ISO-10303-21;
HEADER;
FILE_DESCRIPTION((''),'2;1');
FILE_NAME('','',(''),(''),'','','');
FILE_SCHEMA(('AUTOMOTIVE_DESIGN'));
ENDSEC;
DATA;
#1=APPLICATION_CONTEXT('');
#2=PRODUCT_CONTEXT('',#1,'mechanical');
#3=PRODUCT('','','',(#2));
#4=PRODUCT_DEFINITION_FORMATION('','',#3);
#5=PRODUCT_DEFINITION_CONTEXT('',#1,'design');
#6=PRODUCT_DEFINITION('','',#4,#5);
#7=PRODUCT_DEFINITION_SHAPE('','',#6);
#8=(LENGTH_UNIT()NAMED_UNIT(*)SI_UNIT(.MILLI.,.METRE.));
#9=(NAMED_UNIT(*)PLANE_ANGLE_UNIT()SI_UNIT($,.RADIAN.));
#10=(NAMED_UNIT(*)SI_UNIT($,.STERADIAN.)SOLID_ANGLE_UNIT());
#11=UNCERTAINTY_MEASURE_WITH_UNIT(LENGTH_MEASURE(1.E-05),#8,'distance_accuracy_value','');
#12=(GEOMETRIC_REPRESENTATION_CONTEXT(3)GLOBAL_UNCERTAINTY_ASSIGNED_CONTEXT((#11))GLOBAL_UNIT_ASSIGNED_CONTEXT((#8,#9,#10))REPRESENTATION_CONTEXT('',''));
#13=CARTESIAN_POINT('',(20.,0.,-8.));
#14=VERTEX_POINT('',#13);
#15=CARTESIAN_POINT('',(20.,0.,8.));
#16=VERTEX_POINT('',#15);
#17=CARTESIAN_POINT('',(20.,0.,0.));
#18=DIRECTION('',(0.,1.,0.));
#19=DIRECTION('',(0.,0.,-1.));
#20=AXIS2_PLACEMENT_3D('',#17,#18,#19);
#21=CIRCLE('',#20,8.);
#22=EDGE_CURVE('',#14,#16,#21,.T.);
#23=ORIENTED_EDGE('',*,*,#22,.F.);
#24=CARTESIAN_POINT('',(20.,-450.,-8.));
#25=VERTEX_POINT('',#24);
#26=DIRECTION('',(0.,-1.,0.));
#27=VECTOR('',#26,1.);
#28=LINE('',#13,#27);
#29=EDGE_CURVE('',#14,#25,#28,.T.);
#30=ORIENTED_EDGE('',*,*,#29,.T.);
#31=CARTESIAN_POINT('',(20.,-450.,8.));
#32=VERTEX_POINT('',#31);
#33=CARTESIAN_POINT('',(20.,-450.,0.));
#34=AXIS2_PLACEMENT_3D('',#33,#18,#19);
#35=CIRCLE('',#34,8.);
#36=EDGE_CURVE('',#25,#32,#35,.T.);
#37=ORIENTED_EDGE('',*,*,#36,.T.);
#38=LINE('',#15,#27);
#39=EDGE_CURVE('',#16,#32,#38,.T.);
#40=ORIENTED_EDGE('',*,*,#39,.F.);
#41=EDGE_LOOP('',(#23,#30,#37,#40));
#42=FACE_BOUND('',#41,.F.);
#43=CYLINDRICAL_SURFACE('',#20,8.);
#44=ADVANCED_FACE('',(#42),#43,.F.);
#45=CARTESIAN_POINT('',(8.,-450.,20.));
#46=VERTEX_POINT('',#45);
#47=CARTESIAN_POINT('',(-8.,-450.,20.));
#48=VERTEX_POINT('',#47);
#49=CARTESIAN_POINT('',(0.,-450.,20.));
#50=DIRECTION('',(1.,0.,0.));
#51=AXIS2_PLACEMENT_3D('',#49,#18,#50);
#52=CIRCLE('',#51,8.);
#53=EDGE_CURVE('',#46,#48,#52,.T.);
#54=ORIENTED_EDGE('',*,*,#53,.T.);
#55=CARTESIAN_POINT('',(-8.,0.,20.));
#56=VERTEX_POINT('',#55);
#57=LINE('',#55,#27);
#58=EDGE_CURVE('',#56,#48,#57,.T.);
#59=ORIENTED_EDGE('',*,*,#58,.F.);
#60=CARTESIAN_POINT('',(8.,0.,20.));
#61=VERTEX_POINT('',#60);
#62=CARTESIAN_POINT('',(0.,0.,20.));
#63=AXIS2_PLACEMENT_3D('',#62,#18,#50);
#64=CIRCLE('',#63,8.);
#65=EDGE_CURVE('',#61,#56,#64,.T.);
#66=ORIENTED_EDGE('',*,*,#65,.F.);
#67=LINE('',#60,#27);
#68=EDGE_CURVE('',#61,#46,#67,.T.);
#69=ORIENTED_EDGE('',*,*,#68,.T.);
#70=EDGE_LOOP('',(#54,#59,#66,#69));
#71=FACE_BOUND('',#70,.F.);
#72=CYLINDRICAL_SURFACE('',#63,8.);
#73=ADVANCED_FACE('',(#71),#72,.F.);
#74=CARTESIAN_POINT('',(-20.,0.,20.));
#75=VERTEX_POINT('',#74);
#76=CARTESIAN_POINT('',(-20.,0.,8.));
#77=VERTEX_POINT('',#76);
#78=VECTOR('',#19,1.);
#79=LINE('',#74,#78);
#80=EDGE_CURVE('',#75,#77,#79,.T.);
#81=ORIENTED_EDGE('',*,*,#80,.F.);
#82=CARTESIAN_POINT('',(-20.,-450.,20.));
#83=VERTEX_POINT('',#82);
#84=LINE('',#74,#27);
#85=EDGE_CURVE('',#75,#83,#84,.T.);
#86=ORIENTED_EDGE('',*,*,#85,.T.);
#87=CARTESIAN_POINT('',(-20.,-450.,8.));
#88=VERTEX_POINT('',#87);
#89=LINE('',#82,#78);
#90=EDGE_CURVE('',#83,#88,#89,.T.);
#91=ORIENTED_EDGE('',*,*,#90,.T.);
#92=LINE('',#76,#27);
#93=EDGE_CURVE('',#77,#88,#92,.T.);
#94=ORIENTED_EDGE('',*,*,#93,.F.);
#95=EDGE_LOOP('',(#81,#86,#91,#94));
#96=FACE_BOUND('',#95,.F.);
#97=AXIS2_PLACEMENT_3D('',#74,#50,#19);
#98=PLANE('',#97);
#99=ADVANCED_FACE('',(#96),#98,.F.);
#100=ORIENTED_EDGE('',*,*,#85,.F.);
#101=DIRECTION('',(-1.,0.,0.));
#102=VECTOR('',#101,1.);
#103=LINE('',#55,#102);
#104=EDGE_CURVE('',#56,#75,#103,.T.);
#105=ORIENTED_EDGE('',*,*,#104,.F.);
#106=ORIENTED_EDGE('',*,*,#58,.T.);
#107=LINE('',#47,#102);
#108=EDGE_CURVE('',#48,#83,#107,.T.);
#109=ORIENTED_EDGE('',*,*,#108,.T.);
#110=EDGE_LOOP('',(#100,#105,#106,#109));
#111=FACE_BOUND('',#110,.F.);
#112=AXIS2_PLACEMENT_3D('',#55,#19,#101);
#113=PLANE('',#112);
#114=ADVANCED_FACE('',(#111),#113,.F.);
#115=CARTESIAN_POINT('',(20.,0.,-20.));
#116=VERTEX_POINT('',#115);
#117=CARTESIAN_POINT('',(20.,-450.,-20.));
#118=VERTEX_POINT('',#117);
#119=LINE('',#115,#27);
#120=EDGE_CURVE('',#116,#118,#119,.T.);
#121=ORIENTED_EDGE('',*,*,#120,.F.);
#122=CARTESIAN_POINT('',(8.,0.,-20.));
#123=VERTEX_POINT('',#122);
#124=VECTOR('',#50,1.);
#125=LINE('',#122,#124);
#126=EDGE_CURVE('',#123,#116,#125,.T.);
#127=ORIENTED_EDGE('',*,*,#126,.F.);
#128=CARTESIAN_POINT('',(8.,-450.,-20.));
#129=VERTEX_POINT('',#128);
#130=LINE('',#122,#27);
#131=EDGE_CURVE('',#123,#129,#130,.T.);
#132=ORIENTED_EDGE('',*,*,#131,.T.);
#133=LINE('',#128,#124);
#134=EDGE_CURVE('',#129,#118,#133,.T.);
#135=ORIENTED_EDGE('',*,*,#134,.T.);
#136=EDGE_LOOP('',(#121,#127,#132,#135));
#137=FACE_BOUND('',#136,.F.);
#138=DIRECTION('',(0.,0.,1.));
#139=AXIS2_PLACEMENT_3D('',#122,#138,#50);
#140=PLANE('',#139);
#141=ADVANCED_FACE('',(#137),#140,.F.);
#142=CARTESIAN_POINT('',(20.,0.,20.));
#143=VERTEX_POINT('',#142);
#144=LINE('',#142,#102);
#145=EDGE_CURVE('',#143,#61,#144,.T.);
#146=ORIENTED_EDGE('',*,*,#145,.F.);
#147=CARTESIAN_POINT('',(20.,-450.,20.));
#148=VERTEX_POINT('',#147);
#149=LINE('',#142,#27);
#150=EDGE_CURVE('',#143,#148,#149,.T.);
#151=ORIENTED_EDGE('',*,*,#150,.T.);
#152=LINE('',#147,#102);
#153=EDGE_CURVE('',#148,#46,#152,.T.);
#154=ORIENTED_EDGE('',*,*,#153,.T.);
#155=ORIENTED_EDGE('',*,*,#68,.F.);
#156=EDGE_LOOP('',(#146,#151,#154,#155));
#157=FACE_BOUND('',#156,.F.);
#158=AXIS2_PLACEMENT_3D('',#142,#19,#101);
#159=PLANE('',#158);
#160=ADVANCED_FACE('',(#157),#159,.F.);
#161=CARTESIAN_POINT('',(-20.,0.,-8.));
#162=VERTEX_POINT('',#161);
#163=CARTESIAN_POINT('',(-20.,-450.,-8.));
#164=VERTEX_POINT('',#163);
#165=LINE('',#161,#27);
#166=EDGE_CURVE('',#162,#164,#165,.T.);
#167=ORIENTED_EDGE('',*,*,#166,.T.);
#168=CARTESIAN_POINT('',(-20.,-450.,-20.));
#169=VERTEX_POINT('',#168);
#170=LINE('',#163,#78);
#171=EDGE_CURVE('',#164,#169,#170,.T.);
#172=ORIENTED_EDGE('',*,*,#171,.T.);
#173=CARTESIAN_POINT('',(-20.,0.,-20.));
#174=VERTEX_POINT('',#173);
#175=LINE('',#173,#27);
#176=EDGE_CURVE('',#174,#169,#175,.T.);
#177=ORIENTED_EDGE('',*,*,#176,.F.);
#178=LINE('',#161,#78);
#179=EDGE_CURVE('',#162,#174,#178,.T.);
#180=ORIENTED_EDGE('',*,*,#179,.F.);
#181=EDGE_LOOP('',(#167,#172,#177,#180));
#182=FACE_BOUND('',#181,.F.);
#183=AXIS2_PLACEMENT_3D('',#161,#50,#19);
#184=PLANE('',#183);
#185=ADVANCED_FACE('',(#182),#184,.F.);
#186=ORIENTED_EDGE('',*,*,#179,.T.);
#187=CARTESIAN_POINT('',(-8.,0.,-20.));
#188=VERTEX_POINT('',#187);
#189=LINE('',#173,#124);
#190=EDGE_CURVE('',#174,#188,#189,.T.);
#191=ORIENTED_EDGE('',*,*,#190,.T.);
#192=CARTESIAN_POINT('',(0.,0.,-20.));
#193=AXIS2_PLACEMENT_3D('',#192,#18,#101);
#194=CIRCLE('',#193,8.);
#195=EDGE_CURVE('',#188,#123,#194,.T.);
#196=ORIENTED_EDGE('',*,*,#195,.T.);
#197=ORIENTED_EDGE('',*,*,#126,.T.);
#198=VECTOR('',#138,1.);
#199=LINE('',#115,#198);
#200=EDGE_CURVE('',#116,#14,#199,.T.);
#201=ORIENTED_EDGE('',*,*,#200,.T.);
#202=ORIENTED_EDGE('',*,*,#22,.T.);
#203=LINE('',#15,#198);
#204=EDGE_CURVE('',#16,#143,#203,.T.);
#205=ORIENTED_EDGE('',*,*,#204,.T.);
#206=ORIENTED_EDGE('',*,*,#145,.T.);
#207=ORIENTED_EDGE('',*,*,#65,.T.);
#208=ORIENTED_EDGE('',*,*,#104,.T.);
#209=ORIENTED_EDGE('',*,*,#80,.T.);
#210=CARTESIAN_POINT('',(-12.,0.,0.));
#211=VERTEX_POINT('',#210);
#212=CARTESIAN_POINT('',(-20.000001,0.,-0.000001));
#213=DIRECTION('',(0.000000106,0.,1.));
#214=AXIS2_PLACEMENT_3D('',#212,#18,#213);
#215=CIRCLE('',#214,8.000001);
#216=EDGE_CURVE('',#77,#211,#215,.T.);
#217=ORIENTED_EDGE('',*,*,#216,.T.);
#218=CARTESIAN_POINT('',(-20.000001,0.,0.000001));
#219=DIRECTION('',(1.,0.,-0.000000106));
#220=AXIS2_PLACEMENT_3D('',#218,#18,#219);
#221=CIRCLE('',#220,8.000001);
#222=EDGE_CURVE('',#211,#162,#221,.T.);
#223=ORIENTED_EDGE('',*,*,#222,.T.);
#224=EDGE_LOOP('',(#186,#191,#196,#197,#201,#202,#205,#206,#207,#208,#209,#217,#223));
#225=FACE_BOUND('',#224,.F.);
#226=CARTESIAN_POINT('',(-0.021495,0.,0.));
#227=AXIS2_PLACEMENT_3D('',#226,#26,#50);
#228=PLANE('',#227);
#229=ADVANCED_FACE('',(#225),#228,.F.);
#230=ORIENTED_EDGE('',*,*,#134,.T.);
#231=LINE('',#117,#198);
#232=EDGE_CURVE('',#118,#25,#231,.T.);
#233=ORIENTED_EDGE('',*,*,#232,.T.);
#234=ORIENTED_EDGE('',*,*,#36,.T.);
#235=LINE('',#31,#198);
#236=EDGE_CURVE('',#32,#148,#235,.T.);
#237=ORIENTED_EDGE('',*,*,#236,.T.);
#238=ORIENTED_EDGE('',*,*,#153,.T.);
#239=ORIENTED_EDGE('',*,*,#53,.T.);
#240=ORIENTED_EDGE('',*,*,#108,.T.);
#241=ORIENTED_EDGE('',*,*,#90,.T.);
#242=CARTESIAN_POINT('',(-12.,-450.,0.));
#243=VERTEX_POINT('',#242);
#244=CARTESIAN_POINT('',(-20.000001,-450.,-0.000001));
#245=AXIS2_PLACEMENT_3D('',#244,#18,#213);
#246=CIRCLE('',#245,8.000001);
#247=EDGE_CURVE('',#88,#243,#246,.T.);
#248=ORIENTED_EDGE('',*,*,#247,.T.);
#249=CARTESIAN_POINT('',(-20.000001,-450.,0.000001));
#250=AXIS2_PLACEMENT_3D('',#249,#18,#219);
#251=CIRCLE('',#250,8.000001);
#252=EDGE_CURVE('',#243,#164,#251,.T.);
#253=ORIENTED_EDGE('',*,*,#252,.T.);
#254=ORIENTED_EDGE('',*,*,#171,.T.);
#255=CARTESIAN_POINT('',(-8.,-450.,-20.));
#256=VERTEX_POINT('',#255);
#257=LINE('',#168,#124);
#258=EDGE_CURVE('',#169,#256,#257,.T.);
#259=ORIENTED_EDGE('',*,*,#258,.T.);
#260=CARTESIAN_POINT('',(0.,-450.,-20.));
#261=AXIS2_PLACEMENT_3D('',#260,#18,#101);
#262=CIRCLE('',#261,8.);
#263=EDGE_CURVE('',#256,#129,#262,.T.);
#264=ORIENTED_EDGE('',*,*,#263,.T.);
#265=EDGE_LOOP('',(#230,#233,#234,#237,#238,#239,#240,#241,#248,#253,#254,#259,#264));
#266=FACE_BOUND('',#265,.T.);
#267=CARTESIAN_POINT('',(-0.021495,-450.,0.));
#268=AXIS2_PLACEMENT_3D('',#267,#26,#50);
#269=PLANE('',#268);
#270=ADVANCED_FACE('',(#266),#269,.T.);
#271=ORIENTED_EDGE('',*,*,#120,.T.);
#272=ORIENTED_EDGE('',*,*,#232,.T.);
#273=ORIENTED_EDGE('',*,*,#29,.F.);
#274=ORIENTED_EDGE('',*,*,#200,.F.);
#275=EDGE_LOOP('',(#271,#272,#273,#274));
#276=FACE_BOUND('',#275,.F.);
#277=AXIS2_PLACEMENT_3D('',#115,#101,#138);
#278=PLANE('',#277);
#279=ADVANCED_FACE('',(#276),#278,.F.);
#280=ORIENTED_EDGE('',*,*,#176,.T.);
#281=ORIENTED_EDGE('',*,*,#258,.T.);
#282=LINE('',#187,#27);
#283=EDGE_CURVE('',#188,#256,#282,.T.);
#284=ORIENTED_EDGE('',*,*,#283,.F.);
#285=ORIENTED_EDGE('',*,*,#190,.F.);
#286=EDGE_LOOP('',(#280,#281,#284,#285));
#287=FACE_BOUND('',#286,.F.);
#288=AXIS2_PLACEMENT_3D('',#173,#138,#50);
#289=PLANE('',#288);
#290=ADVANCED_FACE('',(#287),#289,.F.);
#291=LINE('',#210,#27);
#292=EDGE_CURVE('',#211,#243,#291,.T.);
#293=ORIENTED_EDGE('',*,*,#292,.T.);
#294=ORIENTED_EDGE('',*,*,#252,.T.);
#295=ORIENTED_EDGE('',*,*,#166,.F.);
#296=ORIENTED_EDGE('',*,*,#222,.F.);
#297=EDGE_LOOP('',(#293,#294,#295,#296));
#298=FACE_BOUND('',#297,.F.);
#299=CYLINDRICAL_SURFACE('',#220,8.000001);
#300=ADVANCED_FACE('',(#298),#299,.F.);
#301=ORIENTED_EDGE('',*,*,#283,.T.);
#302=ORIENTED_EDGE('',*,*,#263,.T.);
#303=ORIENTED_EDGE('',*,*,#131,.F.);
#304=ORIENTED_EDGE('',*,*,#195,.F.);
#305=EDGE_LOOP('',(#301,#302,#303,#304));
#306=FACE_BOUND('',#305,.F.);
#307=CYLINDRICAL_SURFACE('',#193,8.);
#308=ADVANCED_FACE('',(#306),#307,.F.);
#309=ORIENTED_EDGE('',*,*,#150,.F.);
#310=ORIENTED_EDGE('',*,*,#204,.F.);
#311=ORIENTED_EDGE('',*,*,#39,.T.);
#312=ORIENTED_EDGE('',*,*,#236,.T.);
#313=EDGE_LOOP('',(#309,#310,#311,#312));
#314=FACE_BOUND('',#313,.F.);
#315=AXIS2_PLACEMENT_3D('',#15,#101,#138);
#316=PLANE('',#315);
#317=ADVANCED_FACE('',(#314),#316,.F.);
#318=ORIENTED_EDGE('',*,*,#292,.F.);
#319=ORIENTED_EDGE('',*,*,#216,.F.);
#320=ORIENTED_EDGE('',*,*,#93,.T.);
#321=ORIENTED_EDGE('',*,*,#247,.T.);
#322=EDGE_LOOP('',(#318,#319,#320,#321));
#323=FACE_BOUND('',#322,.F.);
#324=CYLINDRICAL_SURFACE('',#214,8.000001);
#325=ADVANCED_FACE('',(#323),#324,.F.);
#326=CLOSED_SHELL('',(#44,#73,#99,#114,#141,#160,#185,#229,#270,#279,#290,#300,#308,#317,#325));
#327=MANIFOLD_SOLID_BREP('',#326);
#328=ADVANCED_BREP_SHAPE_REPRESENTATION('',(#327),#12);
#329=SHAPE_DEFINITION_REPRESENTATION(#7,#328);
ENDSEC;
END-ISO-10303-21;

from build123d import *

# Parameters (mm, degrees)
F1_DEPTH = 450


with BuildPart() as f1:
    # F0 (on Front) → F1 (new body)
    with BuildSketch(Plane.XZ):
        with BuildLine():
            Line((8, -20), (20, -20))
            Line((20, -20), (20, -8))
            ThreePointArc((20, -8), (12, 0), (20, 8))
            Line((20, 8), (20, 20))
            Line((20, 20), (8, 20))
            ThreePointArc((8, 20), (0, 12), (-8, 20))
            Line((-8, 20), (-20, 20))
            Line((-20, 20), (-20, 8))
            ThreePointArc((-20, 8), (-14.343146, 5.656854), (-12, 0))
            ThreePointArc((-12, 0), (-14.343146, -5.656854), (-20, -8))
            Line((-20, -8), (-20, -20))
            Line((-20, -20), (-8, -20))
            ThreePointArc((-8, -20), (0, -12), (8, -20))
        make_face()
    extrude(amount=F1_DEPTH)


solid = f1.part
